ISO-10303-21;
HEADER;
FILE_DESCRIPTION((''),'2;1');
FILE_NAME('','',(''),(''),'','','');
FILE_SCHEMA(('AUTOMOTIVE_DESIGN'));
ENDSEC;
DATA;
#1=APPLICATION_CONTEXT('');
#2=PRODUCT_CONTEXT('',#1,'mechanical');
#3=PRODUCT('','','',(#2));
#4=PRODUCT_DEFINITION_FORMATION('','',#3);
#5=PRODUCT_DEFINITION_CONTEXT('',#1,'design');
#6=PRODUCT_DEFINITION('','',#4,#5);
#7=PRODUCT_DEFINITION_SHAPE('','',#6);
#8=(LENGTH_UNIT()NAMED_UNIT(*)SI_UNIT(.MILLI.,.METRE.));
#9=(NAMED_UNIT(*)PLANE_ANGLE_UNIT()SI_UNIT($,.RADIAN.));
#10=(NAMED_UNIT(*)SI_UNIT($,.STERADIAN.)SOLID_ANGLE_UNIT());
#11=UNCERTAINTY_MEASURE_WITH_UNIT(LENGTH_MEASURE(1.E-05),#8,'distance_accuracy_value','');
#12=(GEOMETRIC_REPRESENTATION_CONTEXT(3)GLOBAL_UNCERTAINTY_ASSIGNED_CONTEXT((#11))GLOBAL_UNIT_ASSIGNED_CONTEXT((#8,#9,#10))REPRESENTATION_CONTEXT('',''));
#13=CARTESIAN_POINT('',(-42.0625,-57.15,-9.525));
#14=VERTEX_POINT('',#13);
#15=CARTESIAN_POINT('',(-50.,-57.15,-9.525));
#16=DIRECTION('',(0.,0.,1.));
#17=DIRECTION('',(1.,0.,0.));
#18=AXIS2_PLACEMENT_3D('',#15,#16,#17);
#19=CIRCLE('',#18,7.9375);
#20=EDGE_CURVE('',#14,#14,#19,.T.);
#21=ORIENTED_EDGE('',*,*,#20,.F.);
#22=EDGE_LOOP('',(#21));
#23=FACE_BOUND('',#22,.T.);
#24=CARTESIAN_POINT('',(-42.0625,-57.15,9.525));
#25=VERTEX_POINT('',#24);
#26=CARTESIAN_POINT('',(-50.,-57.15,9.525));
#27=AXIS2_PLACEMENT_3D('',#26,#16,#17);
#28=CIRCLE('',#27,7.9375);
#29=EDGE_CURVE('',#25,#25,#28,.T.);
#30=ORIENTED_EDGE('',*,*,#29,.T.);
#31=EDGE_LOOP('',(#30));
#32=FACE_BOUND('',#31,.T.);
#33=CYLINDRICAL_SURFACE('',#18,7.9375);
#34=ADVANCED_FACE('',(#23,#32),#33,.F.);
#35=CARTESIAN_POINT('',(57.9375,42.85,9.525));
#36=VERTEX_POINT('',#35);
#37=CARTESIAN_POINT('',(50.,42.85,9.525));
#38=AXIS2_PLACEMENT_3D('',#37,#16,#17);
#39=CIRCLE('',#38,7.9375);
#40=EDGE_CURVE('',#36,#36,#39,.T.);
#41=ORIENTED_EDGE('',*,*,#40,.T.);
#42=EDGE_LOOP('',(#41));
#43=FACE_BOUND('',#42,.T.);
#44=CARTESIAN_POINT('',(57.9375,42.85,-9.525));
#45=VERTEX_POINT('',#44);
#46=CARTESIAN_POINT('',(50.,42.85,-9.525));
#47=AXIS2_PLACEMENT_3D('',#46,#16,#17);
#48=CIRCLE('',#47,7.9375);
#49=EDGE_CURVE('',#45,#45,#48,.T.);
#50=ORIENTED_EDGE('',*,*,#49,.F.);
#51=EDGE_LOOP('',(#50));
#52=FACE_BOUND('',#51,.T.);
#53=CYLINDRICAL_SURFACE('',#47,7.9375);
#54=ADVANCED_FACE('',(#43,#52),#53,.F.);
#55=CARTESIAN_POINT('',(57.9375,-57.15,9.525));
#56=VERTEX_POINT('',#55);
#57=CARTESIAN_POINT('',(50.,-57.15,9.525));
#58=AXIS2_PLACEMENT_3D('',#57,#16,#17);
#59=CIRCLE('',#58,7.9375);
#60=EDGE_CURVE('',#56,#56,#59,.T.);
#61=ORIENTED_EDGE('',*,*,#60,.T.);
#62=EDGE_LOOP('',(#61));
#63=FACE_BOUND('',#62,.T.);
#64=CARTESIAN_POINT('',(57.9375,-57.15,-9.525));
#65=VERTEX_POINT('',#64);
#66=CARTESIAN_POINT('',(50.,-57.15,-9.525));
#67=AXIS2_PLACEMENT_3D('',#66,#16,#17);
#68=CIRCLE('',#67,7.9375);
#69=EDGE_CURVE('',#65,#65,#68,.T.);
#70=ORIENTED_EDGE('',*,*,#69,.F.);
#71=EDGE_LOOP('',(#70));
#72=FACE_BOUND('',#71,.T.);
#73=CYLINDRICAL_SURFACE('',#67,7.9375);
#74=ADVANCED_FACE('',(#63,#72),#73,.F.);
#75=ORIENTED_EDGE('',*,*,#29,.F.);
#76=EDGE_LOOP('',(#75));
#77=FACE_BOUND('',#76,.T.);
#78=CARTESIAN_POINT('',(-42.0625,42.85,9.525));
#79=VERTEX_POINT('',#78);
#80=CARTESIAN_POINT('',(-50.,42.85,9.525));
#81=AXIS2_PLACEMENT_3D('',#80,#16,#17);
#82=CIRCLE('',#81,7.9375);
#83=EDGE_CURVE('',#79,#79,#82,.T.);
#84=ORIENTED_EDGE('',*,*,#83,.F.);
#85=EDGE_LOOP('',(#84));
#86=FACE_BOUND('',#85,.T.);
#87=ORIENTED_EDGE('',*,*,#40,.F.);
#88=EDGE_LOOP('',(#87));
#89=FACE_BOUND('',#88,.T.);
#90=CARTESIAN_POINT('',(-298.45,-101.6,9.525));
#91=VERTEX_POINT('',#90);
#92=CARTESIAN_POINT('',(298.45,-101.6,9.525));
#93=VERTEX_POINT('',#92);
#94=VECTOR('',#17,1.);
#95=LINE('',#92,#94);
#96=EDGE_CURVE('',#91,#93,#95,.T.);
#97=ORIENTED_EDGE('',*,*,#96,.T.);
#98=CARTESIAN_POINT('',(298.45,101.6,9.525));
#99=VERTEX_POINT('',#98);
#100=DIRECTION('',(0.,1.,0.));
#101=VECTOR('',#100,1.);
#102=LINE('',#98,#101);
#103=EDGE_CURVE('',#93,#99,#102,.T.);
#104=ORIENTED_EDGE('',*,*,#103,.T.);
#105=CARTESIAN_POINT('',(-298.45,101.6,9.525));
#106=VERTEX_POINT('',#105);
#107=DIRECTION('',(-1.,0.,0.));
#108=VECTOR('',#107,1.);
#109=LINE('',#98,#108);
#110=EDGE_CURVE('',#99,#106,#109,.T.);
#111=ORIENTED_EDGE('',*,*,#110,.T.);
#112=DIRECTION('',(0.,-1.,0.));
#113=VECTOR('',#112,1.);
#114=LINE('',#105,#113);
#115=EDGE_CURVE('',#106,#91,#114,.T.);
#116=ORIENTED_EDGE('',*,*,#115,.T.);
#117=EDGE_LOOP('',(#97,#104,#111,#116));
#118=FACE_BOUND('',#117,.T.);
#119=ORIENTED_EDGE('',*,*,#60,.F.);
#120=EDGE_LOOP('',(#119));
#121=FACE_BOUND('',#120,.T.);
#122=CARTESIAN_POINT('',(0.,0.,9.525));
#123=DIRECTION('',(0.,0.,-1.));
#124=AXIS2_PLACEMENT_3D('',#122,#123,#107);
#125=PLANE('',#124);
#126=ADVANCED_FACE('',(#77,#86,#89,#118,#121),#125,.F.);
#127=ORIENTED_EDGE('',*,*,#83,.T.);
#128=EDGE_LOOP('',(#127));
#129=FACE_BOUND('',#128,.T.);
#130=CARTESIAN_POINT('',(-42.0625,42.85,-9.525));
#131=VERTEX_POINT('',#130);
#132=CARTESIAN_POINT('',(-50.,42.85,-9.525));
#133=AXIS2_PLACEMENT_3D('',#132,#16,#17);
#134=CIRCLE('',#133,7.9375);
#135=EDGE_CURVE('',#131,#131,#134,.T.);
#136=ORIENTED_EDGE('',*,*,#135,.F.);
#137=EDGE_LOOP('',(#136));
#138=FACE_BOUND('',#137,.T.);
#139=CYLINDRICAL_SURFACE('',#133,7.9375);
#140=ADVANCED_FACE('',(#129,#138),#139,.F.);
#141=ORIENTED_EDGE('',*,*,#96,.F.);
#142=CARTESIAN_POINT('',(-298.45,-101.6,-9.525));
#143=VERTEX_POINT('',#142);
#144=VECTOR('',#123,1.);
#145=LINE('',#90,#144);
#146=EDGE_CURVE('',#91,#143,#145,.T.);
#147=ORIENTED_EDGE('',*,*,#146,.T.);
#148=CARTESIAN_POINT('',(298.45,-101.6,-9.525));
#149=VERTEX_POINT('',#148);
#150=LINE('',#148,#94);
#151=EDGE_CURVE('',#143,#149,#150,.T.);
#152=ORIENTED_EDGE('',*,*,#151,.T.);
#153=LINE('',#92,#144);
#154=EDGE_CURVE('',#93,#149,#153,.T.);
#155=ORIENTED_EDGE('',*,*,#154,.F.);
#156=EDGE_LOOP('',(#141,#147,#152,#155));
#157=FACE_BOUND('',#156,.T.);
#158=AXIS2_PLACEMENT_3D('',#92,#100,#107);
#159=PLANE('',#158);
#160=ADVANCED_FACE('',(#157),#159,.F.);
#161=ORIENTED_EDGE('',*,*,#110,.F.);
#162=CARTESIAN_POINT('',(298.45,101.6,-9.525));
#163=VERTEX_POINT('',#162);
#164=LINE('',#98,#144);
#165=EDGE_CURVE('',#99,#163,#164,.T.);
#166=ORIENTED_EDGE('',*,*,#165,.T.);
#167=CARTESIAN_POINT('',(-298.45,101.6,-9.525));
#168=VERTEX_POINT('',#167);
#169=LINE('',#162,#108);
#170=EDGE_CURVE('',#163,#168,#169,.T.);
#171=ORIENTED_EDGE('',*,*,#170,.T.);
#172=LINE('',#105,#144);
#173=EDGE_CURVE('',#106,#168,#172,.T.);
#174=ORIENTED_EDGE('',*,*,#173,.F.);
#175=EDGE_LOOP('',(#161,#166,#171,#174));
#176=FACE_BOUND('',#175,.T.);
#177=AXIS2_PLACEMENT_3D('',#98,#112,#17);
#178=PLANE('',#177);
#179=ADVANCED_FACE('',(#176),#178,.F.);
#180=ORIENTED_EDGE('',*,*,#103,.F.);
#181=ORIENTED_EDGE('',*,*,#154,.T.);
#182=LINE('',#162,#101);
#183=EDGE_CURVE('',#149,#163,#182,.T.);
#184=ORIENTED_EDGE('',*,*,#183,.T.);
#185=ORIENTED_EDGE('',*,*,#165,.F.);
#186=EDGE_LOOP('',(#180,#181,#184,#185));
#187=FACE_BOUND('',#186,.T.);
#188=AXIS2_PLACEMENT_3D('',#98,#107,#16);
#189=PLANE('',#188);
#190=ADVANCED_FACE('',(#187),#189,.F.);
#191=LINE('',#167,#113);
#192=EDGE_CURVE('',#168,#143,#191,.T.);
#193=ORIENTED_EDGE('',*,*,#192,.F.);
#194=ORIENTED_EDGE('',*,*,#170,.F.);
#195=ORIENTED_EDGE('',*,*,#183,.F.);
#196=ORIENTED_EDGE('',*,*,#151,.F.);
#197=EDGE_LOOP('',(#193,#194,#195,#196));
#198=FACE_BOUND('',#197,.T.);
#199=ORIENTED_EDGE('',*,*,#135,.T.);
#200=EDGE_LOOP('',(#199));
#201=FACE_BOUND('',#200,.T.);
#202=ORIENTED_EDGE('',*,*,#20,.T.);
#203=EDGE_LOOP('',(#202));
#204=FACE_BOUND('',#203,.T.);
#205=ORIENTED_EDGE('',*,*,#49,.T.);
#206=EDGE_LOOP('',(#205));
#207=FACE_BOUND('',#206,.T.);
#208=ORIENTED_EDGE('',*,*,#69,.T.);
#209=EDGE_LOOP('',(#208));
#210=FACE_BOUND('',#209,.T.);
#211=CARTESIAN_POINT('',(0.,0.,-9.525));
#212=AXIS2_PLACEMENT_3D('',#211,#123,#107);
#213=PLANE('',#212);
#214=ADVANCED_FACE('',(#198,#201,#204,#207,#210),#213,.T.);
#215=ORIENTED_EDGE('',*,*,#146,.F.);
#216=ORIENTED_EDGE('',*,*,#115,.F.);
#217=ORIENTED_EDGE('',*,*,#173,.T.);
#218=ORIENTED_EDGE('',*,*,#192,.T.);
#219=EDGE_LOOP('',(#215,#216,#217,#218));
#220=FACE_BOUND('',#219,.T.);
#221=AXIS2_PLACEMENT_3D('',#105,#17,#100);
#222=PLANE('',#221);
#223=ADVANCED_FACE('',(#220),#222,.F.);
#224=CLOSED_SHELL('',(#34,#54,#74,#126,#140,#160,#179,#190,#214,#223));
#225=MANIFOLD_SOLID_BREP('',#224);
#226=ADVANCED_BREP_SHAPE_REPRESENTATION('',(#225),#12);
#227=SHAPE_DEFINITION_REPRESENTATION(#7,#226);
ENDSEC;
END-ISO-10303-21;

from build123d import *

# Parameters (mm, degrees)
SKETCH1_W           = 596.9
SKETCH1_H           = 203.2
BOSS_EXTRUDE1_DEPTH = 9.525
SKETCH2_R           = 7.9375
CUT_EXTRUDE1_DEPTH  = 20.05


with BuildPart() as part:
    # Sketch1 → Boss-Extrude1 (new body, symmetric)
    with BuildSketch(Plane.XY):
        Rectangle(SKETCH1_W, SKETCH1_H)
    extrude(amount=BOSS_EXTRUDE1_DEPTH, both=True)

    # Sketch2 → Cut-Extrude1 (cut, through all)
    with BuildSketch(Plane.XY.offset(9.525)):
        with Locations((-50, 42.85)):
            Circle(SKETCH2_R)
        with Locations((-50, -57.15)):
            Circle(SKETCH2_R)
        with Locations((50, 42.85)):
            Circle(SKETCH2_R)
        with Locations((50, -57.15)):
            Circle(SKETCH2_R)
    extrude(amount=-CUT_EXTRUDE1_DEPTH, mode=Mode.SUBTRACT)


solid = part.part
